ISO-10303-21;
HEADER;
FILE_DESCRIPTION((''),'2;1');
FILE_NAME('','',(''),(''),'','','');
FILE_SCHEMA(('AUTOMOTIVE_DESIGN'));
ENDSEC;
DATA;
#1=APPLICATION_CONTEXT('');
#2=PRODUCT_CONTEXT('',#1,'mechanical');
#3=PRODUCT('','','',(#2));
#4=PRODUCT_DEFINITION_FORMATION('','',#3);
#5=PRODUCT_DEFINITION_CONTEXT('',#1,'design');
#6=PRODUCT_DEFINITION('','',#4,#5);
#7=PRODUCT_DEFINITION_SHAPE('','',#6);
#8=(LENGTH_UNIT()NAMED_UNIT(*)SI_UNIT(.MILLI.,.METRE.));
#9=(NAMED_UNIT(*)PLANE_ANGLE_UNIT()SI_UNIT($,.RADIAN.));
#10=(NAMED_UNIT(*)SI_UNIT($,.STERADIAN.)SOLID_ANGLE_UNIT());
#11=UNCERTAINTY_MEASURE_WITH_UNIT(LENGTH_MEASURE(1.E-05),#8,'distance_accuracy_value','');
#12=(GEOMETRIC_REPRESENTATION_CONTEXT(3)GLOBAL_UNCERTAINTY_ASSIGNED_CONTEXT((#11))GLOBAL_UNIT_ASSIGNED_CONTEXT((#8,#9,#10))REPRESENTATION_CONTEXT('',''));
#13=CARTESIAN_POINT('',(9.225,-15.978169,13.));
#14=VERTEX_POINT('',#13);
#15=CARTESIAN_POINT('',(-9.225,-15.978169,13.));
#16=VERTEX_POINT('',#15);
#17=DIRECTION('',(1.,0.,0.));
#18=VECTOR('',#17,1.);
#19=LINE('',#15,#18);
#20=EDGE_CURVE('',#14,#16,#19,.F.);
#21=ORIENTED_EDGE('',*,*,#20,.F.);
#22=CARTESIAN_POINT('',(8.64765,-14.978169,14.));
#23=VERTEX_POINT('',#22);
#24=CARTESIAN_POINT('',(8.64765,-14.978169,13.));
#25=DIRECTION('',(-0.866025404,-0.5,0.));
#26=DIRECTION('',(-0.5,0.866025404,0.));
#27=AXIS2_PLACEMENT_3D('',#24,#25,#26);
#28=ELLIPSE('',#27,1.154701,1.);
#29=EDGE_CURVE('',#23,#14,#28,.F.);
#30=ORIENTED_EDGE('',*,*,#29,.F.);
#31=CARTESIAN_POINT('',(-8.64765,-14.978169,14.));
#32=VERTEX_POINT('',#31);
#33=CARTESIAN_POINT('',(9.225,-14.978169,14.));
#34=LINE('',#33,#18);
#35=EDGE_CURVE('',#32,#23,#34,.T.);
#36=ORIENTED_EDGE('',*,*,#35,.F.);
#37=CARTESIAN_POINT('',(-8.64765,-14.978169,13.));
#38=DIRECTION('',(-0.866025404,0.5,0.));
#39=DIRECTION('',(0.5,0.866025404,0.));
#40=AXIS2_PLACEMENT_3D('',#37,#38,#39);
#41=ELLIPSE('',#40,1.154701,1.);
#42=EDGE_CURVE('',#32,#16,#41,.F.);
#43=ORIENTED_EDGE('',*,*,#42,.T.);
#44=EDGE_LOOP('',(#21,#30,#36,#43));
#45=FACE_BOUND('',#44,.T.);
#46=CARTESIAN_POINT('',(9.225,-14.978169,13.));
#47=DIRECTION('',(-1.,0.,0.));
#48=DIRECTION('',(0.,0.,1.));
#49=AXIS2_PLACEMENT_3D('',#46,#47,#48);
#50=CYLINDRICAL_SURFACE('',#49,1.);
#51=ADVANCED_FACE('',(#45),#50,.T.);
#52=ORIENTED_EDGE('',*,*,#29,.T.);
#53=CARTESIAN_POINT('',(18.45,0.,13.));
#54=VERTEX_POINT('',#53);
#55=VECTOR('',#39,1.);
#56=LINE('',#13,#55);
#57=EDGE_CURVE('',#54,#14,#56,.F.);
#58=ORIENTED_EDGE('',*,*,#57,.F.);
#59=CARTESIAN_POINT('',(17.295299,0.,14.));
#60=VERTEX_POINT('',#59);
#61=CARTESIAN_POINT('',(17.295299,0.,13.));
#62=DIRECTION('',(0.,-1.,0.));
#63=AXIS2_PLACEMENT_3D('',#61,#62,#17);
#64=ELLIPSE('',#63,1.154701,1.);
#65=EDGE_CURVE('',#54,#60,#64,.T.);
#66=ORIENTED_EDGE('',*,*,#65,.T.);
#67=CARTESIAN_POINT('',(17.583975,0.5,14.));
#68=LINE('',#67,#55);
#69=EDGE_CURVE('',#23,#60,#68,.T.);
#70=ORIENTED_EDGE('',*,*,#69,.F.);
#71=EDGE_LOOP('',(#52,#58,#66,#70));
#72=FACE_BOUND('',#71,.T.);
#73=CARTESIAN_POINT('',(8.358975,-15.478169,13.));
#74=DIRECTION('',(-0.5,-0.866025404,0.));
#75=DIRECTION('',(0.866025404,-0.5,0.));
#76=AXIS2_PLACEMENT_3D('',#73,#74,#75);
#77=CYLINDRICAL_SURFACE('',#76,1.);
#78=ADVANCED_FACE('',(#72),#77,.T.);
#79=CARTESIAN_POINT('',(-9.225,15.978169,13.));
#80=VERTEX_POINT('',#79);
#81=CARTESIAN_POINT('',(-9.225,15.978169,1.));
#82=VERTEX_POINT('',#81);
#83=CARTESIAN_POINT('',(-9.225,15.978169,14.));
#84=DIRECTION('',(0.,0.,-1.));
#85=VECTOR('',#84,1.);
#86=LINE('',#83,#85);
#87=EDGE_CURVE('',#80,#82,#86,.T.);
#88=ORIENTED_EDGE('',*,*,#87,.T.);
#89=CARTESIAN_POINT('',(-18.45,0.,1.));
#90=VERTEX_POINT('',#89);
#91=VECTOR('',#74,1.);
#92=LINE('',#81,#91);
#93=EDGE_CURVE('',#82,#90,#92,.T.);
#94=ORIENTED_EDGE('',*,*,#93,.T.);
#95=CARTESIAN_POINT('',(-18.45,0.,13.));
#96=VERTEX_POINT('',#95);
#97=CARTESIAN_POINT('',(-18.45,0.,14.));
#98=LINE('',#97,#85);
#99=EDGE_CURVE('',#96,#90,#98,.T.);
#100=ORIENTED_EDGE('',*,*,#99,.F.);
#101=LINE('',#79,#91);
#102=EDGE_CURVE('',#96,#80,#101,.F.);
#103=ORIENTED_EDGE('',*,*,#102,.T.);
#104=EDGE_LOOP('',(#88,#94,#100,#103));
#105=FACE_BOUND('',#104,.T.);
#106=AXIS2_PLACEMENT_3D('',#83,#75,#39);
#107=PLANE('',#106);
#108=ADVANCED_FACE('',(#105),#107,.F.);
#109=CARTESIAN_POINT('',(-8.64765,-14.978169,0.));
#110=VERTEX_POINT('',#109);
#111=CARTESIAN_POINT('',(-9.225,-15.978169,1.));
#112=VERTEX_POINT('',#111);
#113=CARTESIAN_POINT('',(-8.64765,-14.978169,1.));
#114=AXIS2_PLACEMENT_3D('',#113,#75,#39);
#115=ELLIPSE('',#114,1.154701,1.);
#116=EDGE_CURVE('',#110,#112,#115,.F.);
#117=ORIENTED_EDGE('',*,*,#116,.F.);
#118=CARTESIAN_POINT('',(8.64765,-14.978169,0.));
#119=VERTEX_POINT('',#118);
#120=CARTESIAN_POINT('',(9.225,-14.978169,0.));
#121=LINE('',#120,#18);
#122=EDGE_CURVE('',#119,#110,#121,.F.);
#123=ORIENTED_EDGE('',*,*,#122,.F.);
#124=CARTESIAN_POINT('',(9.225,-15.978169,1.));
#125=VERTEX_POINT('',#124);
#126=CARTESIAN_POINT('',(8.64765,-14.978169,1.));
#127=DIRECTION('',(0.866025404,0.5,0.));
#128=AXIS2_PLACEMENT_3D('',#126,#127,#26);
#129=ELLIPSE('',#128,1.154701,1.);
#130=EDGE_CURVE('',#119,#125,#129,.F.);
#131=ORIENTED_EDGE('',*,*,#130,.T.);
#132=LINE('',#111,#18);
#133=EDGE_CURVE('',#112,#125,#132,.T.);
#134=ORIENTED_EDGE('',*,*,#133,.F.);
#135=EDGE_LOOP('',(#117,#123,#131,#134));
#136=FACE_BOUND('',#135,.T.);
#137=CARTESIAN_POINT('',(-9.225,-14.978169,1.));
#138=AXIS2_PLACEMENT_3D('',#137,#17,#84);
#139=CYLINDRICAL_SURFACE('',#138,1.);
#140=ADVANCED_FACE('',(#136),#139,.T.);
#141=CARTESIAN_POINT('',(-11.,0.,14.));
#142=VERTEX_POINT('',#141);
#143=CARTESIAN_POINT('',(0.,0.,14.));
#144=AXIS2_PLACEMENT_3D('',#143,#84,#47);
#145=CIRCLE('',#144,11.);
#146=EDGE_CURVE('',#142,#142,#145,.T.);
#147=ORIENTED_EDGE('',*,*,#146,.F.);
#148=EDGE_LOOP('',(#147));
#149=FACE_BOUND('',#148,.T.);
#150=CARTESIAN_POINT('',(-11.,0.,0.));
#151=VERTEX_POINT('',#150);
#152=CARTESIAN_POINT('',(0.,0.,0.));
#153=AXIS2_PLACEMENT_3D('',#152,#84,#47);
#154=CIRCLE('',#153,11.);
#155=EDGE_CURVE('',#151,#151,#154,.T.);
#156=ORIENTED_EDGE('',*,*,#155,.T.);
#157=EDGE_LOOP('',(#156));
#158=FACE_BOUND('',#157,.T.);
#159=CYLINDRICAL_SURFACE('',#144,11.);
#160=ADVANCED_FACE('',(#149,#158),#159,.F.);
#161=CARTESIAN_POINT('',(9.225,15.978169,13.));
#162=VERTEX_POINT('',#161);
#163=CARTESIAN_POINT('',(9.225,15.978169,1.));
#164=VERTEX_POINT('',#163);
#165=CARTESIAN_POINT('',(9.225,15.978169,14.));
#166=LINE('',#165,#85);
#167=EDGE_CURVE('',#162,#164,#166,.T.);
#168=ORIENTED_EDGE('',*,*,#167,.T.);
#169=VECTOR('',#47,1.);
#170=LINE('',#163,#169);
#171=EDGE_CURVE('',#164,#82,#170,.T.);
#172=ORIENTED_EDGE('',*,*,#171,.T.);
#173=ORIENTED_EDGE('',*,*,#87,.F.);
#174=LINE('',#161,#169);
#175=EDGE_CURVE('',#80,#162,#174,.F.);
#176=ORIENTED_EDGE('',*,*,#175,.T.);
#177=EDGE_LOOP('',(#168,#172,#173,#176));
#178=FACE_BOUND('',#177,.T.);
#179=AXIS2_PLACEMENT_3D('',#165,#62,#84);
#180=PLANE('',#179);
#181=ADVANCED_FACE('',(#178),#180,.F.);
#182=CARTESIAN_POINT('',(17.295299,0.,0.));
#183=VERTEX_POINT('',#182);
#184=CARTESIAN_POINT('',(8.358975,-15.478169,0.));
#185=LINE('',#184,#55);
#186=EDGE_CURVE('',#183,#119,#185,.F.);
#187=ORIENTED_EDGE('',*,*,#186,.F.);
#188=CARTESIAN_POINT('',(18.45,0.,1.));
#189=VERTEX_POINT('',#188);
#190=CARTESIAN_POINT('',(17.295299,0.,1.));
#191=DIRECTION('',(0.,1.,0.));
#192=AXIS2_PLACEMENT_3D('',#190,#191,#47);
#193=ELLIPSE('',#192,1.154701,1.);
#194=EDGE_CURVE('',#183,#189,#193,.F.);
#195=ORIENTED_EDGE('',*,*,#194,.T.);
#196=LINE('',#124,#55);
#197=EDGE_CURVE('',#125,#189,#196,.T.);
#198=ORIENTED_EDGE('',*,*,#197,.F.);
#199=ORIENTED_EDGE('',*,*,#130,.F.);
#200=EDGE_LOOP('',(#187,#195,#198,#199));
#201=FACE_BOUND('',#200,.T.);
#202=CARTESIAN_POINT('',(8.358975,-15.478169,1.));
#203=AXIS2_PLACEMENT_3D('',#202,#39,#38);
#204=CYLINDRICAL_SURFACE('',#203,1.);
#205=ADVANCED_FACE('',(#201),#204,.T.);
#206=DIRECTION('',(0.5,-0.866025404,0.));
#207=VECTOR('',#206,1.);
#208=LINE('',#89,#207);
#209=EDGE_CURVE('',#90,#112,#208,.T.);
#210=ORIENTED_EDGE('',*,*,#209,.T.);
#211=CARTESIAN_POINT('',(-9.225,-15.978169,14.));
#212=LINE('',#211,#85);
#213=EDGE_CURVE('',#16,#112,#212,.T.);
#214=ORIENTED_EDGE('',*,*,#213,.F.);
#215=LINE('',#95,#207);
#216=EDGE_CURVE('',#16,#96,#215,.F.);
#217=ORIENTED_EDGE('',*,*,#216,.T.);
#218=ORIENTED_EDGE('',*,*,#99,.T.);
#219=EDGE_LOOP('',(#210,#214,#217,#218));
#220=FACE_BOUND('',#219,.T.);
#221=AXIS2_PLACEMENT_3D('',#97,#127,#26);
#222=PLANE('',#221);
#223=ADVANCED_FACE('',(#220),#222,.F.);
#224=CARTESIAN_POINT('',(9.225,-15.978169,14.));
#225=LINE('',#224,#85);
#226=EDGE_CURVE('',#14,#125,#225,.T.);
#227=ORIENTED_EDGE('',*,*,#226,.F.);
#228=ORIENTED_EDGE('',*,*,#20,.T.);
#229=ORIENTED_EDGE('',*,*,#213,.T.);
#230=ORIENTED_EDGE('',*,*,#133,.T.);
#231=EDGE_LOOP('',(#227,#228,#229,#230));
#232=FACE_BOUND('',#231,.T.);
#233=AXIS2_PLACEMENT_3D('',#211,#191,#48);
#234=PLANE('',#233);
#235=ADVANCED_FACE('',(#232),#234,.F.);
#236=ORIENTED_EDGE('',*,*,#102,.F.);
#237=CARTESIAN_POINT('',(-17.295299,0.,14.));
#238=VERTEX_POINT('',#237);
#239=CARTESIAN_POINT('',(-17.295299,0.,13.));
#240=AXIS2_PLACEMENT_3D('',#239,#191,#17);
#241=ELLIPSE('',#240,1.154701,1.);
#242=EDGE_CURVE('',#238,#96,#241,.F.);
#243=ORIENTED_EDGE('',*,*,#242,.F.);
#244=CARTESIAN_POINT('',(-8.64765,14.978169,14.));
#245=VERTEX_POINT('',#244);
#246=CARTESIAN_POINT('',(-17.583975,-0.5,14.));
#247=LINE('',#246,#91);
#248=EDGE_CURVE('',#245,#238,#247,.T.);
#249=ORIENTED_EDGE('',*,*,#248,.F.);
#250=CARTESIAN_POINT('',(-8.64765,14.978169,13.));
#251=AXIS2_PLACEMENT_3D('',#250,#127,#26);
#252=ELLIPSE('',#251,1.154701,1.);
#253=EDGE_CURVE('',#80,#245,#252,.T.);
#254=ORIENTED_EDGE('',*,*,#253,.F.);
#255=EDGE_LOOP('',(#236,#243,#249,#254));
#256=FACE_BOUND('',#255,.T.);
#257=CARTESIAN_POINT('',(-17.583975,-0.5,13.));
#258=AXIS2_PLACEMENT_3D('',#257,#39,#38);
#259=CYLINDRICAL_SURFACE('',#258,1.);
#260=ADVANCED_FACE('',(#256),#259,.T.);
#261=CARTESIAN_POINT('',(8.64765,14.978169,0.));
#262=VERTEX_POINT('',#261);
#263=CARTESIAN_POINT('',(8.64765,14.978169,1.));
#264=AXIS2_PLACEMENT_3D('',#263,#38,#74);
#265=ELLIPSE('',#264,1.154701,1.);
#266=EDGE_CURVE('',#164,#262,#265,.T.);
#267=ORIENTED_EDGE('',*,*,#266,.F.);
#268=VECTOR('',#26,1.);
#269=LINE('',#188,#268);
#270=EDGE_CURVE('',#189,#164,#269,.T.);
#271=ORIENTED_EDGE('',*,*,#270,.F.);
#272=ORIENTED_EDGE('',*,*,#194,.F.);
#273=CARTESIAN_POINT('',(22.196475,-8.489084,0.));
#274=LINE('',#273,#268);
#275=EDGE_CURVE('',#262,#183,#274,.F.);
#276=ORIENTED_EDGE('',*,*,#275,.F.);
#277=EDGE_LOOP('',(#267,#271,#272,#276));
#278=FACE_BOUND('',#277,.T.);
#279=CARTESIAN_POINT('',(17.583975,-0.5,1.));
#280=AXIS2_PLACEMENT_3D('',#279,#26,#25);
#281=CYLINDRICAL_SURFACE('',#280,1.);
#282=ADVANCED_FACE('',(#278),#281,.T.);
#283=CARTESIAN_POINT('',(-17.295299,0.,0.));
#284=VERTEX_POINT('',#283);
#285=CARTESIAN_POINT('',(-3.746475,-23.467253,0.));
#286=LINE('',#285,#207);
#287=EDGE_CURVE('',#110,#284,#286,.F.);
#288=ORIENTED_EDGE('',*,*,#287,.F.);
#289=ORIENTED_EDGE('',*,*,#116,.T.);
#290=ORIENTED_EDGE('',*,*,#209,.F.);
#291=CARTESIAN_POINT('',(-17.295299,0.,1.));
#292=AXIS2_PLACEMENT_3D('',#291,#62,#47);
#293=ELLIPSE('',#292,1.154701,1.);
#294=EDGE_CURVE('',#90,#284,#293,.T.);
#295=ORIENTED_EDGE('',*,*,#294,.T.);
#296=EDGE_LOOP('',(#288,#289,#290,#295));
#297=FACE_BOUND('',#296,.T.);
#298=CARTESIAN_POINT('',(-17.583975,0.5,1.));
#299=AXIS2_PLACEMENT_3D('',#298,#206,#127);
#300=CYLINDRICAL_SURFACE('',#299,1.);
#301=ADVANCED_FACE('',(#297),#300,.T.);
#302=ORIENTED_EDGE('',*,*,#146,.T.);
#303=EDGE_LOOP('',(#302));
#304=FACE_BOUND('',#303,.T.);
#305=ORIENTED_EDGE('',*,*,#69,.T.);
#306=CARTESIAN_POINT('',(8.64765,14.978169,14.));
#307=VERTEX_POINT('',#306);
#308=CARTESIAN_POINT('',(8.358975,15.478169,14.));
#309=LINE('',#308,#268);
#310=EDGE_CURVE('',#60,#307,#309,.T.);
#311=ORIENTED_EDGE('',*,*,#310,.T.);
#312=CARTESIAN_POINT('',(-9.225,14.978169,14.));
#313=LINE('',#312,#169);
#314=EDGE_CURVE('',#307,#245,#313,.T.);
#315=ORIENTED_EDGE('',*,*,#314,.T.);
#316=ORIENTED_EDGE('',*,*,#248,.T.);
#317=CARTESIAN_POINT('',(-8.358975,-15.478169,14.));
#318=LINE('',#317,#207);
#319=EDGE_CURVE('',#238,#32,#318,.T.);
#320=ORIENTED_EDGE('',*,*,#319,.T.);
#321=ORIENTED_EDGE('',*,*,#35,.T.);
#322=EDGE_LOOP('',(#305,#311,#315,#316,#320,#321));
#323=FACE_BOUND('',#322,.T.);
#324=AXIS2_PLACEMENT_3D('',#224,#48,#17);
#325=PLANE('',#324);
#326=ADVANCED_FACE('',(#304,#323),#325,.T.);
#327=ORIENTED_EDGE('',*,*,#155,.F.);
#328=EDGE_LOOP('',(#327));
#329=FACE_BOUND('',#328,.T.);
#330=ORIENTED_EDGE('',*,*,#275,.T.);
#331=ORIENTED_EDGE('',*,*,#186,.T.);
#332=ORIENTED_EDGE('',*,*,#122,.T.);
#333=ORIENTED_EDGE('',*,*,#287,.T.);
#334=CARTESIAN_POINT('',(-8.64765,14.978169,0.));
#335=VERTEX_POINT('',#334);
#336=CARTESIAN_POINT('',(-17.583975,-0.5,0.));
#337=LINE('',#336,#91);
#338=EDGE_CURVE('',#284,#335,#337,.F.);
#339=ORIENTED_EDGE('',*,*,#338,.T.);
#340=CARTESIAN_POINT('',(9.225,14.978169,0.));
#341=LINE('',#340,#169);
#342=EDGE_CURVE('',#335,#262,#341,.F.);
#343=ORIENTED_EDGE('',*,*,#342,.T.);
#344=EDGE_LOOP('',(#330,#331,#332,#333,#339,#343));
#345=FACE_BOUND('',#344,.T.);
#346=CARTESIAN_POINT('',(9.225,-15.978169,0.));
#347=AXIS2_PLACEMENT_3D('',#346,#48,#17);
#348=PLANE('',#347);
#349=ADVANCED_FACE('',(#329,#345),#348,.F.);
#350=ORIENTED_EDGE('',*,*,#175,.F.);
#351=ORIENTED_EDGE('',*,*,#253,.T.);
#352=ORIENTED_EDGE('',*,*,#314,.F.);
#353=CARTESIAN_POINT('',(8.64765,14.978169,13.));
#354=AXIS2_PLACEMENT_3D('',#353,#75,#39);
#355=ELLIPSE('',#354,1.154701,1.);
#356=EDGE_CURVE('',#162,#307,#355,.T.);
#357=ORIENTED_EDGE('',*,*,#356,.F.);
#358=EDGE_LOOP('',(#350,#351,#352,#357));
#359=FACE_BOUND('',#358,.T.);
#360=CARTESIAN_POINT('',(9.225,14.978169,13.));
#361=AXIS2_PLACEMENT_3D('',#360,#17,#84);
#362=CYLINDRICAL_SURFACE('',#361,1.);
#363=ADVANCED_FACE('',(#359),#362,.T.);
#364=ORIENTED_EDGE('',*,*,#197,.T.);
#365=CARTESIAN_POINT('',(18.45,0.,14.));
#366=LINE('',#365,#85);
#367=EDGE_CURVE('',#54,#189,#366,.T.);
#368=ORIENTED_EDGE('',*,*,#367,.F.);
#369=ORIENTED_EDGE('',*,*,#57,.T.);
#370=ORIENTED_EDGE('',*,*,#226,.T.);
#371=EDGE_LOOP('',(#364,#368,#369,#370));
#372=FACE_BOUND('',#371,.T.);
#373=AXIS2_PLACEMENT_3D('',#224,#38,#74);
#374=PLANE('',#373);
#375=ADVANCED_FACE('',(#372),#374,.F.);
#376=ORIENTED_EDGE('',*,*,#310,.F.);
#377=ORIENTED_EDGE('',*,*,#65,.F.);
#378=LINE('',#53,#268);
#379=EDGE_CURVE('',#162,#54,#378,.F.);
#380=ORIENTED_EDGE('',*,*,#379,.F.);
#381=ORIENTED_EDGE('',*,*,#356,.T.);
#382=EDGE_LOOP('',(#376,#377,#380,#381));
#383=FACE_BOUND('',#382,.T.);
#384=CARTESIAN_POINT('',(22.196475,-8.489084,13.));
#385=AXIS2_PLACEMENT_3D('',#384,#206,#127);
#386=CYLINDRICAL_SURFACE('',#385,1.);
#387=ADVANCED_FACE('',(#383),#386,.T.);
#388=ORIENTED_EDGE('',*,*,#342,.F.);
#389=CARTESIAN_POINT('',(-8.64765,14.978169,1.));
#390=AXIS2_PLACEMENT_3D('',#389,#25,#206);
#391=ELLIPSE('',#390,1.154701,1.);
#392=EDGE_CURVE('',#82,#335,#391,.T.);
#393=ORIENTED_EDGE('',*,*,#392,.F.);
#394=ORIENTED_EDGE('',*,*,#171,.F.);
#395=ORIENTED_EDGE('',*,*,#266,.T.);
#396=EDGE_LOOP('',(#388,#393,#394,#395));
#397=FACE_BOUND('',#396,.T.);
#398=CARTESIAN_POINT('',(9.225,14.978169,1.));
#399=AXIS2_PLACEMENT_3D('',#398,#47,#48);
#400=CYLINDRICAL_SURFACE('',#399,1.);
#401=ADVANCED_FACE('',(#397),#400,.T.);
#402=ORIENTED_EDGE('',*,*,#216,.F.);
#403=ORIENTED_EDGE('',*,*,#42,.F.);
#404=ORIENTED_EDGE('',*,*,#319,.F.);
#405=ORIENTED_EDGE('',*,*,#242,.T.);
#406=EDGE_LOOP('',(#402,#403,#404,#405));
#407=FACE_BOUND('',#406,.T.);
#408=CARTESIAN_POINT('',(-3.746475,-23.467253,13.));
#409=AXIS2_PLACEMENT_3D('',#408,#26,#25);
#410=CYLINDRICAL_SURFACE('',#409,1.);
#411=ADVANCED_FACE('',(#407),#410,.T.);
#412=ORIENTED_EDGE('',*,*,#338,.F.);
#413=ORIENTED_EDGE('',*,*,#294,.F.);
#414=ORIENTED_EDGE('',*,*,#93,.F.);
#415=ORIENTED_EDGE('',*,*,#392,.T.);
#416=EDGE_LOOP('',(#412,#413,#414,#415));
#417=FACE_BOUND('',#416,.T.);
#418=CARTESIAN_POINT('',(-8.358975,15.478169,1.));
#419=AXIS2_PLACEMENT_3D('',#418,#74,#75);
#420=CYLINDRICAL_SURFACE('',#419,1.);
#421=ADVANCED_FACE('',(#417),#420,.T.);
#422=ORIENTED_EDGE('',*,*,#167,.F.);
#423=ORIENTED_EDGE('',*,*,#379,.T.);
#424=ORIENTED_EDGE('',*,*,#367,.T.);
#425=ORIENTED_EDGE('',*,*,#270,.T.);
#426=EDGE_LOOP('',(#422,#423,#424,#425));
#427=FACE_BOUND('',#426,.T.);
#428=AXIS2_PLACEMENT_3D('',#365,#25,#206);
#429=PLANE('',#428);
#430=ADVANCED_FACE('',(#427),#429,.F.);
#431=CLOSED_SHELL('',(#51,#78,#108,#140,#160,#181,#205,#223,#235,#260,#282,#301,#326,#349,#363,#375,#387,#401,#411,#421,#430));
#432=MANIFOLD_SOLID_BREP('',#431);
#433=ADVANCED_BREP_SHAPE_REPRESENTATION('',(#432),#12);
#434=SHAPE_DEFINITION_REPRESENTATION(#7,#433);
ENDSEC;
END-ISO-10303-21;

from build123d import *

# Parameters (mm, degrees)
EXTRUDE_1_DEPTH     = 14
SKETCH_3_R          = 11
CUT_EXTRUDE_2_DEPTH = 29.13724178
FILLET_1_R          = 1


with BuildPart() as part:
    # 草图2 → 拉伸1 (new body)
    with BuildSketch(Plane.XY):
        Polygon((9.225, -15.9781687), (18.45, 0), (9.225, 15.9781687), (-9.225, 15.9781687), (-18.45, 0), (-9.225, -15.9781687), align=None)
    extrude(amount=EXTRUDE_1_DEPTH)

    # 草图3 → 拉伸2 (cut, through all)
    with BuildSketch(Plane(origin=(0, 0, 0), x_dir=(-1, 0, 0), z_dir=(0, 0, -1))):
        Circle(SKETCH_3_R)
    extrude(amount=-CUT_EXTRUDE_2_DEPTH, mode=Mode.SUBTRACT)

    # 圆角1
    fillet_1_edges = [part.edges().sort_by_distance(p)[0] for p in [
        (13.8375, 7.98908435, 14),
        (0, 15.9781687, 14),
        (-13.8375, 7.98908435, 14),
        (-13.8375, -7.98908435, 14),
        (0, -15.9781687, 14),
        (-13.8375, -7.98908435, 0),
        (-13.8375, 7.98908435, 0),
        (0, 15.9781687, 0),
        (13.8375, -7.98908435, 14),
        (13.8375, 7.98908435, 0),
        (13.8375, -7.98908435, 0),
        (0, -15.9781687, 0),
    ]]
    fillet(fillet_1_edges, radius=FILLET_1_R)


solid = part.part
